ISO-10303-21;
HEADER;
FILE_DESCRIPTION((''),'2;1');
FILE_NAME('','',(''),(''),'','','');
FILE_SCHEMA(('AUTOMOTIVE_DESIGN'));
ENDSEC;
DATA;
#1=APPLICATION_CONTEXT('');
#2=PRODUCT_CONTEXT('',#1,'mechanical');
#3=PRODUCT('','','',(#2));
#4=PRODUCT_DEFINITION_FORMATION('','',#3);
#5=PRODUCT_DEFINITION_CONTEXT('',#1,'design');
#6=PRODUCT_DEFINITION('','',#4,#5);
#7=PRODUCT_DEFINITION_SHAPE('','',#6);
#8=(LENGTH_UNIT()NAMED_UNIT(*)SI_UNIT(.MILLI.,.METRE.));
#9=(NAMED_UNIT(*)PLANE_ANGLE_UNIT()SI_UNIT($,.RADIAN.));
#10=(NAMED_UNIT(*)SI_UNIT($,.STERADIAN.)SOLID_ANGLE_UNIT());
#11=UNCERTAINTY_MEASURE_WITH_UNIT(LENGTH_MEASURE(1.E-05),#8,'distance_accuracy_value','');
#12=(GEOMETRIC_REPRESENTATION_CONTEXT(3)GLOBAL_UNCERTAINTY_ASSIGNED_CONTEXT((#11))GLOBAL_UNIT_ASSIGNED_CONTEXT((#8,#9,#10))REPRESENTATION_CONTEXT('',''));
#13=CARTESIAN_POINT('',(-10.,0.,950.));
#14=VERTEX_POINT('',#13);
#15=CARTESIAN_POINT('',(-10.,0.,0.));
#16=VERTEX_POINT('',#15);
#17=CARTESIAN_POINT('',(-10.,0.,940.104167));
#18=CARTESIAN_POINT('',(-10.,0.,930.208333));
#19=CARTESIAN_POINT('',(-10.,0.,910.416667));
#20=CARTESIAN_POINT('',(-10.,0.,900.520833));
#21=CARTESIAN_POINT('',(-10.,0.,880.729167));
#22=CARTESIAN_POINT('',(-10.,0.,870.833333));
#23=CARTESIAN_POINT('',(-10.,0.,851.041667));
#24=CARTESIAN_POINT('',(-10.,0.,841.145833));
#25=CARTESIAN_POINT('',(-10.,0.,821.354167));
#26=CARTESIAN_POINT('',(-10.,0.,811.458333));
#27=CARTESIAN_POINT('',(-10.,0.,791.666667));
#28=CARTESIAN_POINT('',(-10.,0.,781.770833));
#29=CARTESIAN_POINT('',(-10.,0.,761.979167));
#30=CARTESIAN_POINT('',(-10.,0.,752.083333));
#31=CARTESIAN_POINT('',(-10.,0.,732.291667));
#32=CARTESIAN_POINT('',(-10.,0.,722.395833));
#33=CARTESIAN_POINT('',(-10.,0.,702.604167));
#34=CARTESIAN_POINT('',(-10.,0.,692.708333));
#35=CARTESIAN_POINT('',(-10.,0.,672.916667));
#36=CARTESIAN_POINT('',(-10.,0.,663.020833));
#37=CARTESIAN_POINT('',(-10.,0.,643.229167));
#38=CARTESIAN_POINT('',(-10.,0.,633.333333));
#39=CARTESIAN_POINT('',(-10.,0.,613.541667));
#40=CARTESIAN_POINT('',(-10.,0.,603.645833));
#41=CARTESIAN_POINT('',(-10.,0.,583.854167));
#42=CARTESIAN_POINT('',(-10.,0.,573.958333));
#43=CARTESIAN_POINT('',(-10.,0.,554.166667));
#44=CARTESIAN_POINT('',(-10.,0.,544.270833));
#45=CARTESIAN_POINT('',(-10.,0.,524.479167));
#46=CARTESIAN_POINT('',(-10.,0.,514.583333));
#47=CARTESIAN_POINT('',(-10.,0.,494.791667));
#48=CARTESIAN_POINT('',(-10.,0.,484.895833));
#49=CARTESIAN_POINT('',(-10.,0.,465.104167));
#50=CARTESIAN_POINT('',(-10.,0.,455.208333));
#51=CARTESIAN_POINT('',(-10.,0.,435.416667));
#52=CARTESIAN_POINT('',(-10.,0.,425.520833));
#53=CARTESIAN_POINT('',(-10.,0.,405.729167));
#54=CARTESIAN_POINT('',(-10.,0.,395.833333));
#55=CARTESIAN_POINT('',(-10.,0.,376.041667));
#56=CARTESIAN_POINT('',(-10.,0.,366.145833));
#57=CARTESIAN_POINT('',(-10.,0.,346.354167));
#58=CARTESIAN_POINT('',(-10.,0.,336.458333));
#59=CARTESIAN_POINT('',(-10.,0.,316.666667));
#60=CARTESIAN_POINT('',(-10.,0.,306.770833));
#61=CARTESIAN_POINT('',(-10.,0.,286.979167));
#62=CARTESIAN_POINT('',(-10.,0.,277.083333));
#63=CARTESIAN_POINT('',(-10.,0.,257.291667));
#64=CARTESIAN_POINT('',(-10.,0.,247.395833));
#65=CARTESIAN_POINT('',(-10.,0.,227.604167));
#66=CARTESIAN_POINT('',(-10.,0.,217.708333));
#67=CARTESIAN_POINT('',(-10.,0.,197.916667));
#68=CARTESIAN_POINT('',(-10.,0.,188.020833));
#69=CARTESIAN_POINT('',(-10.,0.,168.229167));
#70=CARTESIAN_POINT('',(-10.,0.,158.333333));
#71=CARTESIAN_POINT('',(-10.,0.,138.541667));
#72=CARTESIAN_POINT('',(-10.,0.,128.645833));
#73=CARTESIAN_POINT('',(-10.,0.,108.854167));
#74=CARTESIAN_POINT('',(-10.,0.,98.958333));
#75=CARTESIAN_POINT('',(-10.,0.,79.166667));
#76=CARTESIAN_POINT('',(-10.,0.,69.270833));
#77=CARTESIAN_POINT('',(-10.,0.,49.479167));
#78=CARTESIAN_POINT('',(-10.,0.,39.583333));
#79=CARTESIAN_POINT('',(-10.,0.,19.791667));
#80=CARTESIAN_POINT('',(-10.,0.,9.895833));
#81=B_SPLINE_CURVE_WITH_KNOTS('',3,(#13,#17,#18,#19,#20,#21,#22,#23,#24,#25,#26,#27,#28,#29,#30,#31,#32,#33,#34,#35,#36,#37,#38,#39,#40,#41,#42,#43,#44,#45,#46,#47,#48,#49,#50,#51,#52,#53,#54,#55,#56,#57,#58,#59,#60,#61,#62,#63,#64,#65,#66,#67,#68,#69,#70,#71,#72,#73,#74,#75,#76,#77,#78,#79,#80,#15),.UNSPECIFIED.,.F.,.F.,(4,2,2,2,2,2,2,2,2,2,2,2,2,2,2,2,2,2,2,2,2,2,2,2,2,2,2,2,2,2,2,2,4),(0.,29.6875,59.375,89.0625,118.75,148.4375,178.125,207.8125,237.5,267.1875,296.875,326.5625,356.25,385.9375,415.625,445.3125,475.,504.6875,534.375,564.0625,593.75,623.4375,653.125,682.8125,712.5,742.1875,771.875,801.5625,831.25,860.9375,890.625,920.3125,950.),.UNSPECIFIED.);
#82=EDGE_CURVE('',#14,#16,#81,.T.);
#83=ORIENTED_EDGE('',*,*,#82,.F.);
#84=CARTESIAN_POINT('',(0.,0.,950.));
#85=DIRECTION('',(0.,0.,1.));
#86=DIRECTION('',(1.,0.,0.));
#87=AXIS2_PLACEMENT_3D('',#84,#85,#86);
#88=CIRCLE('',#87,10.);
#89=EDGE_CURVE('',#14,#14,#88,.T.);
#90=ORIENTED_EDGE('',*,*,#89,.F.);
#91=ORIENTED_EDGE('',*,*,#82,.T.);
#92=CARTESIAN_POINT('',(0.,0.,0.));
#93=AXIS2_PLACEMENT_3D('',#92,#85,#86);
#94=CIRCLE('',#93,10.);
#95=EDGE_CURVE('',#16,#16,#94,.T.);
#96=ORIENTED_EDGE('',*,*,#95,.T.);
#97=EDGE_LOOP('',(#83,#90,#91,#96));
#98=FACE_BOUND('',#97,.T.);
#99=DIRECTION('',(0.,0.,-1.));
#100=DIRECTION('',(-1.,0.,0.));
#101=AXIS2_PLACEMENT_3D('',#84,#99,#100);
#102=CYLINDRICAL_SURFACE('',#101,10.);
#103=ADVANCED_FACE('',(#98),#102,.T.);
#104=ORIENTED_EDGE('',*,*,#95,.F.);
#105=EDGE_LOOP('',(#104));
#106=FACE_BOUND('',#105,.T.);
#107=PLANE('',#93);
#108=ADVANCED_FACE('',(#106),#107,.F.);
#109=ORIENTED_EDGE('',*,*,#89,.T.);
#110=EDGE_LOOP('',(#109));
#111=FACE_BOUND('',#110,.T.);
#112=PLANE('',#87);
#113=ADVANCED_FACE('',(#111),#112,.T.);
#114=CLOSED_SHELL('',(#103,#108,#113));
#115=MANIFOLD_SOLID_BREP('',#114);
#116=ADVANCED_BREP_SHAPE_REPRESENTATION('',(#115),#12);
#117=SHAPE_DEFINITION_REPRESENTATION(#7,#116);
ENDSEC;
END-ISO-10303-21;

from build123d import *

# Parameters (mm, degrees)
CROQUIS1_R              = 10
SALIENTE_EXTRUIR2_DEPTH = 950


with BuildPart() as part:
    # Croquis1 → Saliente-Extruir2 (new body)
    with BuildSketch(Plane.XY):
        with Locations(Location((0, 0, 0), (0, 0, 180))):
            Circle(CROQUIS1_R)
    extrude(amount=SALIENTE_EXTRUIR2_DEPTH)


solid = part.part
